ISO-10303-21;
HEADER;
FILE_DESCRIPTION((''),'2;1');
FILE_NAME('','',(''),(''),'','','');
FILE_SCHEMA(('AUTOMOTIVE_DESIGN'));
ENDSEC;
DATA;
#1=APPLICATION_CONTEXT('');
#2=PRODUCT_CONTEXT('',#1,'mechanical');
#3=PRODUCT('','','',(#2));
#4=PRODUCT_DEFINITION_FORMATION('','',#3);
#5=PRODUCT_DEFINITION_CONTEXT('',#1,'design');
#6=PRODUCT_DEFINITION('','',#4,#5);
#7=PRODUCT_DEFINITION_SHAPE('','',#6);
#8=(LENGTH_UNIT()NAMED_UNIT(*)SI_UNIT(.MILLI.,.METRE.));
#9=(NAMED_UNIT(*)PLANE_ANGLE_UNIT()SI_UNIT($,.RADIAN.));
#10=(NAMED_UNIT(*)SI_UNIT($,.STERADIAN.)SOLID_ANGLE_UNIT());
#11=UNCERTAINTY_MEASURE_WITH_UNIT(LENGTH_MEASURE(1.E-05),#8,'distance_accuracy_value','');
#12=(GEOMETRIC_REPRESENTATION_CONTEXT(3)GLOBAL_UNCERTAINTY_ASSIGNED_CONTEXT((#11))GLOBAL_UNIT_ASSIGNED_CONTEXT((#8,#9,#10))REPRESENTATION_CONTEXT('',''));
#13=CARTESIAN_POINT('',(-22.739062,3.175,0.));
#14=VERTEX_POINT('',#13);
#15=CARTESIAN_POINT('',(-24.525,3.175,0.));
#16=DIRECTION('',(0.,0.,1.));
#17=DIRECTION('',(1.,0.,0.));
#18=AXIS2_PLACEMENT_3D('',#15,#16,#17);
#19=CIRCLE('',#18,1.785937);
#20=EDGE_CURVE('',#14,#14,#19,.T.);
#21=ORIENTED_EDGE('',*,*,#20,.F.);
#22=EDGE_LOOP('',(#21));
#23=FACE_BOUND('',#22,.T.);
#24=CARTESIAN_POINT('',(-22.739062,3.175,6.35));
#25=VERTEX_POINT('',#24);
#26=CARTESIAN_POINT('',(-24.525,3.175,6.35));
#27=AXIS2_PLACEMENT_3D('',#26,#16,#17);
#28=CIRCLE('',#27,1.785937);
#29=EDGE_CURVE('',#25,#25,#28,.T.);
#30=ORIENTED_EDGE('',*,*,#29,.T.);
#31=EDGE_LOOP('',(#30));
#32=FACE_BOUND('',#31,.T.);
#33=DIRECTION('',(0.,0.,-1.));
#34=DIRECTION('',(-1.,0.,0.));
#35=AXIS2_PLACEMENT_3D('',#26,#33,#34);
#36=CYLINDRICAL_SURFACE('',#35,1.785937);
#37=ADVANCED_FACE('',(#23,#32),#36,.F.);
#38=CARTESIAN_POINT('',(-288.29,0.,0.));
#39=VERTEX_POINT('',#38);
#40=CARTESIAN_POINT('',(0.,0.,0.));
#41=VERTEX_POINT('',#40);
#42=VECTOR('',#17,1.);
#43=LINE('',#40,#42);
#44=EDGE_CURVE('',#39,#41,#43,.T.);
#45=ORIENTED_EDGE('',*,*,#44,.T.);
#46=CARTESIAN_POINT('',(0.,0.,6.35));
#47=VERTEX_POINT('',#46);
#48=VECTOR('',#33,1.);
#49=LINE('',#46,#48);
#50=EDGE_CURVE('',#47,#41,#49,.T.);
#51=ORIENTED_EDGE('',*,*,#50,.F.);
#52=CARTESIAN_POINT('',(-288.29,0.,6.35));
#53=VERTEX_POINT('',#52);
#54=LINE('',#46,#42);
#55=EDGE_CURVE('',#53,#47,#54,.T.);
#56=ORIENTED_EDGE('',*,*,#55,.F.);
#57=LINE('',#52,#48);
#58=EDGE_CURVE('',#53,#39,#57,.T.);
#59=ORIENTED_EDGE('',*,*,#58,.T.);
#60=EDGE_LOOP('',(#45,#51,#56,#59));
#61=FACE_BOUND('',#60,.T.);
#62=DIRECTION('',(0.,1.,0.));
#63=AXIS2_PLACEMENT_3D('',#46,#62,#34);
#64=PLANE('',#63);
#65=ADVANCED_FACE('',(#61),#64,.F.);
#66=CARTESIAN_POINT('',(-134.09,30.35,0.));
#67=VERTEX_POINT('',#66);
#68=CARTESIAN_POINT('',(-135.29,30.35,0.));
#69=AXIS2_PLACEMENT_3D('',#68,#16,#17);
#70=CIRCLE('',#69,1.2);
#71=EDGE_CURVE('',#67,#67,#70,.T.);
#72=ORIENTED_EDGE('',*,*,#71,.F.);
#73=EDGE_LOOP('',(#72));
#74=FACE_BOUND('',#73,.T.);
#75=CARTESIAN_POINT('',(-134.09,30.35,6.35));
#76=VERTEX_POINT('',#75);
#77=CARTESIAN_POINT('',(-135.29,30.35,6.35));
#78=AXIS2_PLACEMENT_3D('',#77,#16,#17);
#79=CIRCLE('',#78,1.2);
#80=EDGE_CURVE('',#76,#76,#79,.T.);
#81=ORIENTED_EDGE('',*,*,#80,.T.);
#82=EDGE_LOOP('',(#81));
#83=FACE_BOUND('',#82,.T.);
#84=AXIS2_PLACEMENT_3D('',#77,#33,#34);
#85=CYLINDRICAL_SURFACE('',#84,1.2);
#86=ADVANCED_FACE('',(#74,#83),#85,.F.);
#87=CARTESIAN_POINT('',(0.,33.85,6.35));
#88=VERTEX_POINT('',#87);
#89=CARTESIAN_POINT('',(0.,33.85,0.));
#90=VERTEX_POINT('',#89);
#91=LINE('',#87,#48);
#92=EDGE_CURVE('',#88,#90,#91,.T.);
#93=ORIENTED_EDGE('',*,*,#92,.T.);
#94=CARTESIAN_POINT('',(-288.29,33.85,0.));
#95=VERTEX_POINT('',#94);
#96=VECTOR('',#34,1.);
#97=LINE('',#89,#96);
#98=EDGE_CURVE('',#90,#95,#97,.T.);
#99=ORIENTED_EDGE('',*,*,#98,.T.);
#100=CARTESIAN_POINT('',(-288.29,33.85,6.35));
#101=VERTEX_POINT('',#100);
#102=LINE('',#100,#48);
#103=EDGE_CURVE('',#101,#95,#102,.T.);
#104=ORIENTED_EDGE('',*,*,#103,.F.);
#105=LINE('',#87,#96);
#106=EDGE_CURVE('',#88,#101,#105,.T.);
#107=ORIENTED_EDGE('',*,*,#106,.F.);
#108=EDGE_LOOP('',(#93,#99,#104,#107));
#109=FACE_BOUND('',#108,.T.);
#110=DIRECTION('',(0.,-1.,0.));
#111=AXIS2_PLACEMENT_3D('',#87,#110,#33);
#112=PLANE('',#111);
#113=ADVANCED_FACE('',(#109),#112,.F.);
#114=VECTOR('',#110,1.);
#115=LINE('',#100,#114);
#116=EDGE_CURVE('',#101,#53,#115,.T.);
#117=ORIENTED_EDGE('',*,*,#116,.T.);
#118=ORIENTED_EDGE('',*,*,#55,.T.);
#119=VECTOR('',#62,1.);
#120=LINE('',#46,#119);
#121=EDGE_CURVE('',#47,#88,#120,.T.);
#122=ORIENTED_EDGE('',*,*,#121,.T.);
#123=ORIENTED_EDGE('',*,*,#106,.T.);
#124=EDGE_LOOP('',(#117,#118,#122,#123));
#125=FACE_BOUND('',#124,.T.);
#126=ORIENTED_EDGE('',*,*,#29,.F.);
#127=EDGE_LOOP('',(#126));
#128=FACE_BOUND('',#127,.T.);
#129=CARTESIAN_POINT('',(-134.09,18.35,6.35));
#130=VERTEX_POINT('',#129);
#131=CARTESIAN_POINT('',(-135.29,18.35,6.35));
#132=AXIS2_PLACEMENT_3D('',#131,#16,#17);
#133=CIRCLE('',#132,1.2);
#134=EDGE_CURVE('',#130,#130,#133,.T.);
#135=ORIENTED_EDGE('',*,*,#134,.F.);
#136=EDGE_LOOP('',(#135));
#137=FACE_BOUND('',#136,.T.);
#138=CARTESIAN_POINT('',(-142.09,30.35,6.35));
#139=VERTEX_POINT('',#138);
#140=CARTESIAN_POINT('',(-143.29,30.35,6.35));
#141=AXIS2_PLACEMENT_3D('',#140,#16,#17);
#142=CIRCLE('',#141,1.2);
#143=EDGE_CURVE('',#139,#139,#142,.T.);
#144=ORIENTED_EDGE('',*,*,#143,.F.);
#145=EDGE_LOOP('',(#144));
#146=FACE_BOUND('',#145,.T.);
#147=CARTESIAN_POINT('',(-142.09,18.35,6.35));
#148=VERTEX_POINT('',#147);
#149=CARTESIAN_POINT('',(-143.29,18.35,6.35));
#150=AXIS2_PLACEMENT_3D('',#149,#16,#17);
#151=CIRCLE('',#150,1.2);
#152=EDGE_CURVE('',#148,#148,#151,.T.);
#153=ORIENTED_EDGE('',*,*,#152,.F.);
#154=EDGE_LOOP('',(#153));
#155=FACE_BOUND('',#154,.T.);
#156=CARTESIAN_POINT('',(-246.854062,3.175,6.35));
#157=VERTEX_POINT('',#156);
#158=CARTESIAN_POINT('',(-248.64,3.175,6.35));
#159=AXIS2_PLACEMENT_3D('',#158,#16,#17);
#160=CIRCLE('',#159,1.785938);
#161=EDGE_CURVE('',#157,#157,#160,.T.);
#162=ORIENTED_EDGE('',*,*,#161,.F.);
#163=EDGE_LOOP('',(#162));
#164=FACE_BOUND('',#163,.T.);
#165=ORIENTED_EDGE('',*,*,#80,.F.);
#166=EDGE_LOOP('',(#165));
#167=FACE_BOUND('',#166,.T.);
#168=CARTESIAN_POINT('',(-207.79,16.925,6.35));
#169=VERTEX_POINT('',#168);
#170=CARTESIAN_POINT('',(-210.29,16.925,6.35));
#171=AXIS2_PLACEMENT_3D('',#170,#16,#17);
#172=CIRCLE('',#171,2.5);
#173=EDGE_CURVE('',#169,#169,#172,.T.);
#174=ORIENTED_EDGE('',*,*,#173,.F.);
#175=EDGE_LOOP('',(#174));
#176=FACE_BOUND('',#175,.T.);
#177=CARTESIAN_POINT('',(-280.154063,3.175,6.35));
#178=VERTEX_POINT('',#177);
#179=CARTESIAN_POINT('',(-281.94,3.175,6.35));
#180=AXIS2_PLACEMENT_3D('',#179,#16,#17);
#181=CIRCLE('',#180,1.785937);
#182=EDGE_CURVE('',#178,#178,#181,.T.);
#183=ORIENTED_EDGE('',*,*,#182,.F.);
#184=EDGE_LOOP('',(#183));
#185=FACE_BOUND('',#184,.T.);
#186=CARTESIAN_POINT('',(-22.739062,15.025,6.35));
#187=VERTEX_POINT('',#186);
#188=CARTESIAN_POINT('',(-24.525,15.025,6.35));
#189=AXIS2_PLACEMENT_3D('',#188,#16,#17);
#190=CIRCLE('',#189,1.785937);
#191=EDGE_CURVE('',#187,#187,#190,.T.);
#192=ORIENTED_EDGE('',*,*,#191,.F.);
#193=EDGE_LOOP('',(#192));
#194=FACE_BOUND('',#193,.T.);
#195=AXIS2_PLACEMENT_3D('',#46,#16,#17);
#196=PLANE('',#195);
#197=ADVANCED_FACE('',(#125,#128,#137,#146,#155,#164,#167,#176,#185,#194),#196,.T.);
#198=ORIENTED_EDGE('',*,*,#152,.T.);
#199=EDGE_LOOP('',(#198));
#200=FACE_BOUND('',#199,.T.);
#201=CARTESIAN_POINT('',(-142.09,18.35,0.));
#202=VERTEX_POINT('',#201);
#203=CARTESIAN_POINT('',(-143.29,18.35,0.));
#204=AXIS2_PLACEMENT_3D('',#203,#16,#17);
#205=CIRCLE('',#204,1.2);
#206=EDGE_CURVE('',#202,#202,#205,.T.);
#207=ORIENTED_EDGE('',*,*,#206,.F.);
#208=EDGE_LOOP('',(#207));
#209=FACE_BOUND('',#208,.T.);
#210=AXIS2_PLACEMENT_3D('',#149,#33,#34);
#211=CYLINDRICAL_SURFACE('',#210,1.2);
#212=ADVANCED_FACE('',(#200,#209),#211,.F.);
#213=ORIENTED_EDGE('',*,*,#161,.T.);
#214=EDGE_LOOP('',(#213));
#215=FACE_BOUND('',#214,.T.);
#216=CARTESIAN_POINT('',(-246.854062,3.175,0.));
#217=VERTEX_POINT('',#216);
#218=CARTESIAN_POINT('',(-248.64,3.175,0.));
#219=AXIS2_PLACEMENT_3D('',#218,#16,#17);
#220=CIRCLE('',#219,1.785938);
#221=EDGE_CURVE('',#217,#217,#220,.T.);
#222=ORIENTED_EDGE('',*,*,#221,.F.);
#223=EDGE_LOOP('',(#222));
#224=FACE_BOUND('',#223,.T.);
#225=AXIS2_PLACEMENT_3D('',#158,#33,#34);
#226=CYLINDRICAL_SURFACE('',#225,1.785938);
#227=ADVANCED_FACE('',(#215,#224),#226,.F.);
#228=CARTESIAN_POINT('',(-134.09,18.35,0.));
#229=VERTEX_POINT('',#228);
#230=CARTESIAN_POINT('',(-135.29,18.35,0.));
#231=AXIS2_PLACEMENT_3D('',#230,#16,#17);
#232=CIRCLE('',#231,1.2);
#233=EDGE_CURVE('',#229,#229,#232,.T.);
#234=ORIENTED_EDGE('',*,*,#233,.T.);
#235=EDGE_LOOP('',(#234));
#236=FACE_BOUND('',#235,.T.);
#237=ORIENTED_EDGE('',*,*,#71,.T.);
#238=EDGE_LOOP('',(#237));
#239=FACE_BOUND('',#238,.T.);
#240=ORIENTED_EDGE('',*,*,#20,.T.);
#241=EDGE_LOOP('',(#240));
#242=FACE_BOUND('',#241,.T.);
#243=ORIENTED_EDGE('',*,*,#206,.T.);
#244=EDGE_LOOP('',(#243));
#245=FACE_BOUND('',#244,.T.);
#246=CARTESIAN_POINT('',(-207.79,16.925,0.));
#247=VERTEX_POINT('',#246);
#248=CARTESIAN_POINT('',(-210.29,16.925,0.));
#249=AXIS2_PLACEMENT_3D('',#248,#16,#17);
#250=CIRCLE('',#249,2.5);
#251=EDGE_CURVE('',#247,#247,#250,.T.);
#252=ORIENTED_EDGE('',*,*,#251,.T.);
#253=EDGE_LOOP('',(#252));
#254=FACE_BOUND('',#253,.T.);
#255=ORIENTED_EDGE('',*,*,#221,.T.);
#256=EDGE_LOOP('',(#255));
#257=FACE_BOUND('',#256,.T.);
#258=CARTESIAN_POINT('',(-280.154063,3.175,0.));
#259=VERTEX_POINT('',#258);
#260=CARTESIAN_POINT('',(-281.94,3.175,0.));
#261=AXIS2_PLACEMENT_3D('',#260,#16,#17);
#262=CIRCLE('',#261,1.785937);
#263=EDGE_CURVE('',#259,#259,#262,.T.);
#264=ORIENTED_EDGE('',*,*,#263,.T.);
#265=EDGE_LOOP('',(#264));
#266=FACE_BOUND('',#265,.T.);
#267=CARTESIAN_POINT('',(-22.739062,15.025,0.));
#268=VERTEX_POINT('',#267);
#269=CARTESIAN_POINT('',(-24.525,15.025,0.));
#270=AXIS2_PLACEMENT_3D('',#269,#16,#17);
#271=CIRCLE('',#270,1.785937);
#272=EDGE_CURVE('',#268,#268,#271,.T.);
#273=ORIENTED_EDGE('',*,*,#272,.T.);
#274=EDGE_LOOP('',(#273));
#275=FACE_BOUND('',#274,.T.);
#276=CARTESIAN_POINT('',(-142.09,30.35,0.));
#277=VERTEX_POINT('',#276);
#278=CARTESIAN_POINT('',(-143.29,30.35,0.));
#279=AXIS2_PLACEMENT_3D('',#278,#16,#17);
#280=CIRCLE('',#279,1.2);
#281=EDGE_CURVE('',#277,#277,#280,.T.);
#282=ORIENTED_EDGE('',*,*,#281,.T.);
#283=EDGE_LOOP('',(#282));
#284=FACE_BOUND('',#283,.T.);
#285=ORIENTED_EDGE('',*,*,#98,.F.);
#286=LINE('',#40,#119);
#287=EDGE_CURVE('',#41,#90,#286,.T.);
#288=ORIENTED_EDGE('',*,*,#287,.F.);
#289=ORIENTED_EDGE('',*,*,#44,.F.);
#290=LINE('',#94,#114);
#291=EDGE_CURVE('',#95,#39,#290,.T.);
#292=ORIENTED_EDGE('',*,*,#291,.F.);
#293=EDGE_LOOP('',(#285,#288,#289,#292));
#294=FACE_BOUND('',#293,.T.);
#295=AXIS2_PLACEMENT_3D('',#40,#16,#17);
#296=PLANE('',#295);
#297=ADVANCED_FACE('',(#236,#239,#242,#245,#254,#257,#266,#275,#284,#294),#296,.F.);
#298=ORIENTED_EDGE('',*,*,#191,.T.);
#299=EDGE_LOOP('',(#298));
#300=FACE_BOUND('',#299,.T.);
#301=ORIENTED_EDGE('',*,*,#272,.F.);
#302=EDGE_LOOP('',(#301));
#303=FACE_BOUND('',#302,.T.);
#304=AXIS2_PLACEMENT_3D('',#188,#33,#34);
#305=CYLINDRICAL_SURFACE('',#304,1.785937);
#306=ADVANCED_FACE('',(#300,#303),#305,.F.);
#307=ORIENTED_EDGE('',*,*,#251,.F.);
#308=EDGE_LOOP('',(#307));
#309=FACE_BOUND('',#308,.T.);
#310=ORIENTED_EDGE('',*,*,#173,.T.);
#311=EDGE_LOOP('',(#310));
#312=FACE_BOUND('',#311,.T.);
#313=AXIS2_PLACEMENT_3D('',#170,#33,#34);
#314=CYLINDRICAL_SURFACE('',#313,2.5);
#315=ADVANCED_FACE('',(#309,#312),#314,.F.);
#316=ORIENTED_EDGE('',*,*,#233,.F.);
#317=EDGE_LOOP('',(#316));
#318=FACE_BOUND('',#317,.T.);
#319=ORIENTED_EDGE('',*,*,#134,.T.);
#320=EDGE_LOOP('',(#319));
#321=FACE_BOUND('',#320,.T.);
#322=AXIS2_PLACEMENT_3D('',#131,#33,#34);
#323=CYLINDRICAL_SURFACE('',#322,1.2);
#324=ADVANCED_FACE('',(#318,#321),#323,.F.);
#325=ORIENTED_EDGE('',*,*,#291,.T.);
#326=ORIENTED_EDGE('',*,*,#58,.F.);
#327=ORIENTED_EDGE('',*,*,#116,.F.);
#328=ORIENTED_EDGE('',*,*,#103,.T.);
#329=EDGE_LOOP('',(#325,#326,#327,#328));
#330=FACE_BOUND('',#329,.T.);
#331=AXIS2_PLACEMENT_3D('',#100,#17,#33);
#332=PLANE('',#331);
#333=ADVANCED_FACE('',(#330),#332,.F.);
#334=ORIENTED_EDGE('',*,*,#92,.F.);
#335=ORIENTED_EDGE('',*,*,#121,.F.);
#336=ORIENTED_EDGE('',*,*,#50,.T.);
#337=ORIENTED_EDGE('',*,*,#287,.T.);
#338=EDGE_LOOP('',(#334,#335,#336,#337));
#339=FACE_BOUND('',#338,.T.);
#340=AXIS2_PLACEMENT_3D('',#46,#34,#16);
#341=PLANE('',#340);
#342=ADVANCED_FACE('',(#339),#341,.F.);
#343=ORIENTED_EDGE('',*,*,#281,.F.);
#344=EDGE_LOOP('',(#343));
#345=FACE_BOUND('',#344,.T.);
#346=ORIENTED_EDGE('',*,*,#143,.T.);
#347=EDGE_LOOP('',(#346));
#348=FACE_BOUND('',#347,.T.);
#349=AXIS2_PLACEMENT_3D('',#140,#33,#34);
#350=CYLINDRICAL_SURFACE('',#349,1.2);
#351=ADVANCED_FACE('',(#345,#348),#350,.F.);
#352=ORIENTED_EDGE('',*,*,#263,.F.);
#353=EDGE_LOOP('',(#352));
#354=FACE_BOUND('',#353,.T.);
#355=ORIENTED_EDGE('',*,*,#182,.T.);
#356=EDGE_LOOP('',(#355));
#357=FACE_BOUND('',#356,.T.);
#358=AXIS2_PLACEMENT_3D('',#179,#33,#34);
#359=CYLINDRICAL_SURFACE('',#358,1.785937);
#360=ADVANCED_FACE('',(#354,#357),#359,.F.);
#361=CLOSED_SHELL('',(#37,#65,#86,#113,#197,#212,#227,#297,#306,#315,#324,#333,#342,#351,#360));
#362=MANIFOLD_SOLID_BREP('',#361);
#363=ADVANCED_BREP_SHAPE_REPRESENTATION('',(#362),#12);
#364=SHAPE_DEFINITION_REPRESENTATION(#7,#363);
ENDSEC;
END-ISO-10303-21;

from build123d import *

# Parameters (mm, degrees)
SKETCH1_W           = 288.29
SKETCH1_H           = 33.85
SKETCH1_R           = 2.5
SKETCH1_R_2         = 1.2
SKETCH1_R_3         = 1.7859375
BOSS_EXTRUDE1_DEPTH = 6.35


with BuildPart() as part:
    # Sketch1 → Boss-Extrude1 (new body)
    with BuildSketch(Plane.XY):
        with Locations((-144.145, 16.925)):
            Rectangle(SKETCH1_W, SKETCH1_H)
        with Locations((-210.29, 16.925)):
            Circle(SKETCH1_R, mode=Mode.SUBTRACT)
        with Locations((-135.29, 18.35)):
            Circle(SKETCH1_R_2, mode=Mode.SUBTRACT)
        with Locations((-135.29, 30.35)):
            Circle(SKETCH1_R_2, mode=Mode.SUBTRACT)
        with Locations((-143.29, 18.35)):
            Circle(SKETCH1_R_2, mode=Mode.SUBTRACT)
        with Locations((-143.29, 30.35)):
            Circle(SKETCH1_R_2, mode=Mode.SUBTRACT)
        with Locations((-248.64, 3.175)):
            Circle(SKETCH1_R_3, mode=Mode.SUBTRACT)
        with Locations((-281.94, 3.175)):
            Circle(SKETCH1_R_3, mode=Mode.SUBTRACT)
        with Locations((-24.525, 15.025)):
            Circle(SKETCH1_R_3, mode=Mode.SUBTRACT)
        with Locations((-24.525, 3.175)):
            Circle(SKETCH1_R_3, mode=Mode.SUBTRACT)
    extrude(amount=BOSS_EXTRUDE1_DEPTH)


solid = part.part
